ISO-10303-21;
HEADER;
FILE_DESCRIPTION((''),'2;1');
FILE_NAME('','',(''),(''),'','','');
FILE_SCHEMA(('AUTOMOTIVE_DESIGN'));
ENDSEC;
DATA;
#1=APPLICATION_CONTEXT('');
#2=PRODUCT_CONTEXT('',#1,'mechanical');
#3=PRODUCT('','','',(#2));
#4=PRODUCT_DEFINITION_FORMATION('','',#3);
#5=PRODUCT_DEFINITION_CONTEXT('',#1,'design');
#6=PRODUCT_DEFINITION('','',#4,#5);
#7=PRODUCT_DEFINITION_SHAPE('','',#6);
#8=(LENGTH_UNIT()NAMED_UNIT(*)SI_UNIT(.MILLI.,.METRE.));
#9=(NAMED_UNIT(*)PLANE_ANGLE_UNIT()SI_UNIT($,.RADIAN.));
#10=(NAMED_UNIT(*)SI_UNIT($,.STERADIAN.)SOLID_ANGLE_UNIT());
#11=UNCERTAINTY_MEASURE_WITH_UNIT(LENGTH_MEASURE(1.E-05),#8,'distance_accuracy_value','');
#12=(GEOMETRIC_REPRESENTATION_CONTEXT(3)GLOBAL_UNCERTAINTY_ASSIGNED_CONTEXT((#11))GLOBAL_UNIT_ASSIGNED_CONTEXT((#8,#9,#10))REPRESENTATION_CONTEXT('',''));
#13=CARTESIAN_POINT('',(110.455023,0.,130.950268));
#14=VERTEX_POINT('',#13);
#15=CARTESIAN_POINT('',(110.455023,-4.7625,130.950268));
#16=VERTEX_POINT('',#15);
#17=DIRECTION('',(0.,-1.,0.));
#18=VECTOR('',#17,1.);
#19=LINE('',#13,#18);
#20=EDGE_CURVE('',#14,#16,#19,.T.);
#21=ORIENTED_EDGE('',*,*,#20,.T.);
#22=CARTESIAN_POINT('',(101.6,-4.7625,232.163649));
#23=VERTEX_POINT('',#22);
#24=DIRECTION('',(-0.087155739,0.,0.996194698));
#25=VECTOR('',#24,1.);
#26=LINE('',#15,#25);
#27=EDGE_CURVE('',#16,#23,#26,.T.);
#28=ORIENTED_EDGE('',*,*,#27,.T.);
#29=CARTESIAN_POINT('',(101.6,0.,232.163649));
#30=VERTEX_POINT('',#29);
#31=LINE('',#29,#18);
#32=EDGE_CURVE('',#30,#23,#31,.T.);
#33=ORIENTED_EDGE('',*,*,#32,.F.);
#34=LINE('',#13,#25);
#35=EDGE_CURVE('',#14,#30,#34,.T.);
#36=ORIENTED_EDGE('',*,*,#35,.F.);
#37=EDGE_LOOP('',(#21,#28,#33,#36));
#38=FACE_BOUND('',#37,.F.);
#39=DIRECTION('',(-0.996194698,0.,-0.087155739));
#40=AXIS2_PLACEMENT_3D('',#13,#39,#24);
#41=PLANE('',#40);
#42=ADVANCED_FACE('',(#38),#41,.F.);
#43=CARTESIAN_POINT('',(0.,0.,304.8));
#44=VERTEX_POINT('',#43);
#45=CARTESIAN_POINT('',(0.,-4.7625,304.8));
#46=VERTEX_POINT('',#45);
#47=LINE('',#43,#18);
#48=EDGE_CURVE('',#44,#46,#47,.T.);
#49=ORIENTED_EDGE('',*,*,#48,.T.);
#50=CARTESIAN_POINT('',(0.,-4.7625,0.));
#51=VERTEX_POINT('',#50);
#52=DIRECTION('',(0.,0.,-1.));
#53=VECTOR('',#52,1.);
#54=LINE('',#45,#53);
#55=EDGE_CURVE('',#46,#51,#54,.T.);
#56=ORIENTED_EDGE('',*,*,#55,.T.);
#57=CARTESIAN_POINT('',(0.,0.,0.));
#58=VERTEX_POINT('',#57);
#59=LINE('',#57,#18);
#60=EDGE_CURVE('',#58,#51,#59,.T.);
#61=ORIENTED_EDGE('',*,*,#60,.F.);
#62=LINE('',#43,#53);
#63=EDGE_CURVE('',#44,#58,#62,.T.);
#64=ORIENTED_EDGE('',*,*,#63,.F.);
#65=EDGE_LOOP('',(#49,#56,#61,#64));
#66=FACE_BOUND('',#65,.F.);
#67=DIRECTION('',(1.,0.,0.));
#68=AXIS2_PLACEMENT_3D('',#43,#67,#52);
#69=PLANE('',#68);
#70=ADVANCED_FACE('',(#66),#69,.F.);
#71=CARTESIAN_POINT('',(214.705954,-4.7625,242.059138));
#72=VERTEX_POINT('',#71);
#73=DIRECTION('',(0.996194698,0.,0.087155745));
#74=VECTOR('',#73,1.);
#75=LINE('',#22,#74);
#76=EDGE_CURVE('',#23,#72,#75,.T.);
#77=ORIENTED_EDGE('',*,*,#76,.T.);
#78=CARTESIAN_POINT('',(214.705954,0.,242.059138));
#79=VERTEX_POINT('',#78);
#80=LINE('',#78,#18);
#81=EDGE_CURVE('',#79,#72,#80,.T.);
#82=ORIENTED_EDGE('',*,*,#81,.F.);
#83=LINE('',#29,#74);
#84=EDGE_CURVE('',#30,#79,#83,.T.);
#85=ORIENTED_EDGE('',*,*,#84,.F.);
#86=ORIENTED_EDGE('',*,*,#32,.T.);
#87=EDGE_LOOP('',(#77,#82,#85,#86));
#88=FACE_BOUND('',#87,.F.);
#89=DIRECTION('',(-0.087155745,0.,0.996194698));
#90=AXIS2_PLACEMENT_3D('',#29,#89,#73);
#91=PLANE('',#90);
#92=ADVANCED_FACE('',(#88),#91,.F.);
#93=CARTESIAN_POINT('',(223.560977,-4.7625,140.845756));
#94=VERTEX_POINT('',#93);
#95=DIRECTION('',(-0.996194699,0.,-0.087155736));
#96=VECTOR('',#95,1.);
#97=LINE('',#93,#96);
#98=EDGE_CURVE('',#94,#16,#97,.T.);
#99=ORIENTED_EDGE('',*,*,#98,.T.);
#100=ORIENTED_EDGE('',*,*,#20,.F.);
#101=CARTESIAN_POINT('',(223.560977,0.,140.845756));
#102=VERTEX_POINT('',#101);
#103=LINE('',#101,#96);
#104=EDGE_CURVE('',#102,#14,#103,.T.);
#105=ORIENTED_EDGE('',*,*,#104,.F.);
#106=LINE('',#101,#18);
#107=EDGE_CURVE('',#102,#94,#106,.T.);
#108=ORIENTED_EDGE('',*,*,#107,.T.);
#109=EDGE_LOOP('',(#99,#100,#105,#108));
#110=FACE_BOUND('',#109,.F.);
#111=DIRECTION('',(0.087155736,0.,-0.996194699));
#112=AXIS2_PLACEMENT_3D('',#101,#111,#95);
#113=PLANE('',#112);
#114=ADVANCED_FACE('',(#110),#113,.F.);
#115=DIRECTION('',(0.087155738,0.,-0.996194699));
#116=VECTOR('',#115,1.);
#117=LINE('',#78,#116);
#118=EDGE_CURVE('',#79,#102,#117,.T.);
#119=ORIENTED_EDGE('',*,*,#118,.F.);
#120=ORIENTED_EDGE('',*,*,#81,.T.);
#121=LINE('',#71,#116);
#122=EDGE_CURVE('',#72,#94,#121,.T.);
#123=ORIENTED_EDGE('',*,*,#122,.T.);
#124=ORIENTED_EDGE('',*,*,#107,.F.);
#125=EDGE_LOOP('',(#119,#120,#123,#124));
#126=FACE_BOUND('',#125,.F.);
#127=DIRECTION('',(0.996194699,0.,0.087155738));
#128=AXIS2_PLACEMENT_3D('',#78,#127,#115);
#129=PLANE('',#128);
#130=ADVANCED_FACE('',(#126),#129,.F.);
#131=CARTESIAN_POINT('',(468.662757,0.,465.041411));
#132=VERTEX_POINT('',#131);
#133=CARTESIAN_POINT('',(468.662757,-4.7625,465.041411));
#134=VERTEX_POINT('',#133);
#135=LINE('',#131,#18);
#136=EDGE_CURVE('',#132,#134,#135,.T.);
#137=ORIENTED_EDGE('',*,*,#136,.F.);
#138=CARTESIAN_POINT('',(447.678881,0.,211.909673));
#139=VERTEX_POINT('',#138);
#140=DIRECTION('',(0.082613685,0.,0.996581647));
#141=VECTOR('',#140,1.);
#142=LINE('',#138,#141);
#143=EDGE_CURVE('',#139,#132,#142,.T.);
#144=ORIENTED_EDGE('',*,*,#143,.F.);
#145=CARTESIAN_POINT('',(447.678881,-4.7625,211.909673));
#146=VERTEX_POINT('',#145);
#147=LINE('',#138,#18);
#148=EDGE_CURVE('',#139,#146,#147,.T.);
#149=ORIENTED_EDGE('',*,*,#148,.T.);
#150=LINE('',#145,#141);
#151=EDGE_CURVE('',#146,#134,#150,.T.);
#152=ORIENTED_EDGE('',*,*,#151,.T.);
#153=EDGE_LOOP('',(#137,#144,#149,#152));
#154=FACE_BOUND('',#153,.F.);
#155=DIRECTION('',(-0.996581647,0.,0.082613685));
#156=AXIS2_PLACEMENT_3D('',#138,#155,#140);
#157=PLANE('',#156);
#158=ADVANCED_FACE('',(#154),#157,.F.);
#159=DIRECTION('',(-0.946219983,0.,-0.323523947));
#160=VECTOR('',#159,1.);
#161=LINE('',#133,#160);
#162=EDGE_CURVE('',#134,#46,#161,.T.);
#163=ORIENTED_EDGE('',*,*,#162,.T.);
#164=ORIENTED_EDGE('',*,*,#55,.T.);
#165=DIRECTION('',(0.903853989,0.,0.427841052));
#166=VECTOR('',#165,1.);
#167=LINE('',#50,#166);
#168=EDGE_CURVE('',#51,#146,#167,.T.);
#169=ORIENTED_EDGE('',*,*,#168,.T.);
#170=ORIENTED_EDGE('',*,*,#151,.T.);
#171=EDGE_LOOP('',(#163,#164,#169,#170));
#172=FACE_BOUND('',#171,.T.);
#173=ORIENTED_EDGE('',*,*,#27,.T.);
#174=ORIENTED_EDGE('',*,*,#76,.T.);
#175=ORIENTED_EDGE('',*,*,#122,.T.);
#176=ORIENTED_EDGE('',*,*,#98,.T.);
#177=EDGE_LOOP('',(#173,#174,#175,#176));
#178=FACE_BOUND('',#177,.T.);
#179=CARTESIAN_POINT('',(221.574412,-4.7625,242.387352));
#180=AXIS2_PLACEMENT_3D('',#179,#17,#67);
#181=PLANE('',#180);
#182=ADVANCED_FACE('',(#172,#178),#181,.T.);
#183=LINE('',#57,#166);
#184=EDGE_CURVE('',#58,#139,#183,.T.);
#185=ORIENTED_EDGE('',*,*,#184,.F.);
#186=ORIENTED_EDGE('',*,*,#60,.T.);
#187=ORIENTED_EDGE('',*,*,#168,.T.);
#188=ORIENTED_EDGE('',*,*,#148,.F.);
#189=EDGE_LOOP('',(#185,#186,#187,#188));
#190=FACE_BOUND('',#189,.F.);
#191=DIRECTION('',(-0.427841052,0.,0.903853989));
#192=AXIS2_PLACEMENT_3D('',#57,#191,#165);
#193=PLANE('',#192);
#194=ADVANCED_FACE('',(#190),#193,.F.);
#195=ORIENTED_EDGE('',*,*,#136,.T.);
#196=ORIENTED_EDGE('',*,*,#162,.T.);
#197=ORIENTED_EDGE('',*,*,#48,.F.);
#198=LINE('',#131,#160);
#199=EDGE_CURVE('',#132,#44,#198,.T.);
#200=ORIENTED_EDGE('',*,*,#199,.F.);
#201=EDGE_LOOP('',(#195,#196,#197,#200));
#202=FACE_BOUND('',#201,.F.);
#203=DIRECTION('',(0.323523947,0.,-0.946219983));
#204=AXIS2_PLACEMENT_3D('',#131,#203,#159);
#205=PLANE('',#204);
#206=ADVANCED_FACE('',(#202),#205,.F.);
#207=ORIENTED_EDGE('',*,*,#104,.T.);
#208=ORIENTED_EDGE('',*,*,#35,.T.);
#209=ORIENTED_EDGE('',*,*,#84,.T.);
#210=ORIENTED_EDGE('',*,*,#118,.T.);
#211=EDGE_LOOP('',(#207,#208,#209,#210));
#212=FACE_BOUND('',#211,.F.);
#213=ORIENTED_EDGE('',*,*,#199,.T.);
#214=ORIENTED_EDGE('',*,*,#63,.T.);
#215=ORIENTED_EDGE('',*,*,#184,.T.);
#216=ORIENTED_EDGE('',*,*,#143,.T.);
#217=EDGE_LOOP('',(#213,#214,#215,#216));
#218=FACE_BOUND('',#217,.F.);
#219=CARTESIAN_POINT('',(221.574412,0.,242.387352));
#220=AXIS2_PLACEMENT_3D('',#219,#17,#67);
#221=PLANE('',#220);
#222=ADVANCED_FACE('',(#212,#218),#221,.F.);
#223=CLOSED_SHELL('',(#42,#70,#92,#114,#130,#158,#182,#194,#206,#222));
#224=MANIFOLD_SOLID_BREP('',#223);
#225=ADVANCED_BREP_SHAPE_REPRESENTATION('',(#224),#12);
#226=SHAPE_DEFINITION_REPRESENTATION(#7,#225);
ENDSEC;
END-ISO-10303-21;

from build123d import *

# Parameters (mm, degrees)
F1_DEPTH = 4.7625


with BuildPart() as f1:
    # F0 (on Front) → F1 (new body)
    with BuildSketch(Plane.XZ):
        Polygon((0, 304.8), (0, 0), (447.678881, 211.909673), (468.662757, 465.041411), align=None)
        Polygon((110.455023, 130.950268), (101.6, 232.163649), (214.705954, 242.059138), (223.560977, 140.845756), align=None, mode=Mode.SUBTRACT)
    extrude(amount=F1_DEPTH)


solid = f1.part
